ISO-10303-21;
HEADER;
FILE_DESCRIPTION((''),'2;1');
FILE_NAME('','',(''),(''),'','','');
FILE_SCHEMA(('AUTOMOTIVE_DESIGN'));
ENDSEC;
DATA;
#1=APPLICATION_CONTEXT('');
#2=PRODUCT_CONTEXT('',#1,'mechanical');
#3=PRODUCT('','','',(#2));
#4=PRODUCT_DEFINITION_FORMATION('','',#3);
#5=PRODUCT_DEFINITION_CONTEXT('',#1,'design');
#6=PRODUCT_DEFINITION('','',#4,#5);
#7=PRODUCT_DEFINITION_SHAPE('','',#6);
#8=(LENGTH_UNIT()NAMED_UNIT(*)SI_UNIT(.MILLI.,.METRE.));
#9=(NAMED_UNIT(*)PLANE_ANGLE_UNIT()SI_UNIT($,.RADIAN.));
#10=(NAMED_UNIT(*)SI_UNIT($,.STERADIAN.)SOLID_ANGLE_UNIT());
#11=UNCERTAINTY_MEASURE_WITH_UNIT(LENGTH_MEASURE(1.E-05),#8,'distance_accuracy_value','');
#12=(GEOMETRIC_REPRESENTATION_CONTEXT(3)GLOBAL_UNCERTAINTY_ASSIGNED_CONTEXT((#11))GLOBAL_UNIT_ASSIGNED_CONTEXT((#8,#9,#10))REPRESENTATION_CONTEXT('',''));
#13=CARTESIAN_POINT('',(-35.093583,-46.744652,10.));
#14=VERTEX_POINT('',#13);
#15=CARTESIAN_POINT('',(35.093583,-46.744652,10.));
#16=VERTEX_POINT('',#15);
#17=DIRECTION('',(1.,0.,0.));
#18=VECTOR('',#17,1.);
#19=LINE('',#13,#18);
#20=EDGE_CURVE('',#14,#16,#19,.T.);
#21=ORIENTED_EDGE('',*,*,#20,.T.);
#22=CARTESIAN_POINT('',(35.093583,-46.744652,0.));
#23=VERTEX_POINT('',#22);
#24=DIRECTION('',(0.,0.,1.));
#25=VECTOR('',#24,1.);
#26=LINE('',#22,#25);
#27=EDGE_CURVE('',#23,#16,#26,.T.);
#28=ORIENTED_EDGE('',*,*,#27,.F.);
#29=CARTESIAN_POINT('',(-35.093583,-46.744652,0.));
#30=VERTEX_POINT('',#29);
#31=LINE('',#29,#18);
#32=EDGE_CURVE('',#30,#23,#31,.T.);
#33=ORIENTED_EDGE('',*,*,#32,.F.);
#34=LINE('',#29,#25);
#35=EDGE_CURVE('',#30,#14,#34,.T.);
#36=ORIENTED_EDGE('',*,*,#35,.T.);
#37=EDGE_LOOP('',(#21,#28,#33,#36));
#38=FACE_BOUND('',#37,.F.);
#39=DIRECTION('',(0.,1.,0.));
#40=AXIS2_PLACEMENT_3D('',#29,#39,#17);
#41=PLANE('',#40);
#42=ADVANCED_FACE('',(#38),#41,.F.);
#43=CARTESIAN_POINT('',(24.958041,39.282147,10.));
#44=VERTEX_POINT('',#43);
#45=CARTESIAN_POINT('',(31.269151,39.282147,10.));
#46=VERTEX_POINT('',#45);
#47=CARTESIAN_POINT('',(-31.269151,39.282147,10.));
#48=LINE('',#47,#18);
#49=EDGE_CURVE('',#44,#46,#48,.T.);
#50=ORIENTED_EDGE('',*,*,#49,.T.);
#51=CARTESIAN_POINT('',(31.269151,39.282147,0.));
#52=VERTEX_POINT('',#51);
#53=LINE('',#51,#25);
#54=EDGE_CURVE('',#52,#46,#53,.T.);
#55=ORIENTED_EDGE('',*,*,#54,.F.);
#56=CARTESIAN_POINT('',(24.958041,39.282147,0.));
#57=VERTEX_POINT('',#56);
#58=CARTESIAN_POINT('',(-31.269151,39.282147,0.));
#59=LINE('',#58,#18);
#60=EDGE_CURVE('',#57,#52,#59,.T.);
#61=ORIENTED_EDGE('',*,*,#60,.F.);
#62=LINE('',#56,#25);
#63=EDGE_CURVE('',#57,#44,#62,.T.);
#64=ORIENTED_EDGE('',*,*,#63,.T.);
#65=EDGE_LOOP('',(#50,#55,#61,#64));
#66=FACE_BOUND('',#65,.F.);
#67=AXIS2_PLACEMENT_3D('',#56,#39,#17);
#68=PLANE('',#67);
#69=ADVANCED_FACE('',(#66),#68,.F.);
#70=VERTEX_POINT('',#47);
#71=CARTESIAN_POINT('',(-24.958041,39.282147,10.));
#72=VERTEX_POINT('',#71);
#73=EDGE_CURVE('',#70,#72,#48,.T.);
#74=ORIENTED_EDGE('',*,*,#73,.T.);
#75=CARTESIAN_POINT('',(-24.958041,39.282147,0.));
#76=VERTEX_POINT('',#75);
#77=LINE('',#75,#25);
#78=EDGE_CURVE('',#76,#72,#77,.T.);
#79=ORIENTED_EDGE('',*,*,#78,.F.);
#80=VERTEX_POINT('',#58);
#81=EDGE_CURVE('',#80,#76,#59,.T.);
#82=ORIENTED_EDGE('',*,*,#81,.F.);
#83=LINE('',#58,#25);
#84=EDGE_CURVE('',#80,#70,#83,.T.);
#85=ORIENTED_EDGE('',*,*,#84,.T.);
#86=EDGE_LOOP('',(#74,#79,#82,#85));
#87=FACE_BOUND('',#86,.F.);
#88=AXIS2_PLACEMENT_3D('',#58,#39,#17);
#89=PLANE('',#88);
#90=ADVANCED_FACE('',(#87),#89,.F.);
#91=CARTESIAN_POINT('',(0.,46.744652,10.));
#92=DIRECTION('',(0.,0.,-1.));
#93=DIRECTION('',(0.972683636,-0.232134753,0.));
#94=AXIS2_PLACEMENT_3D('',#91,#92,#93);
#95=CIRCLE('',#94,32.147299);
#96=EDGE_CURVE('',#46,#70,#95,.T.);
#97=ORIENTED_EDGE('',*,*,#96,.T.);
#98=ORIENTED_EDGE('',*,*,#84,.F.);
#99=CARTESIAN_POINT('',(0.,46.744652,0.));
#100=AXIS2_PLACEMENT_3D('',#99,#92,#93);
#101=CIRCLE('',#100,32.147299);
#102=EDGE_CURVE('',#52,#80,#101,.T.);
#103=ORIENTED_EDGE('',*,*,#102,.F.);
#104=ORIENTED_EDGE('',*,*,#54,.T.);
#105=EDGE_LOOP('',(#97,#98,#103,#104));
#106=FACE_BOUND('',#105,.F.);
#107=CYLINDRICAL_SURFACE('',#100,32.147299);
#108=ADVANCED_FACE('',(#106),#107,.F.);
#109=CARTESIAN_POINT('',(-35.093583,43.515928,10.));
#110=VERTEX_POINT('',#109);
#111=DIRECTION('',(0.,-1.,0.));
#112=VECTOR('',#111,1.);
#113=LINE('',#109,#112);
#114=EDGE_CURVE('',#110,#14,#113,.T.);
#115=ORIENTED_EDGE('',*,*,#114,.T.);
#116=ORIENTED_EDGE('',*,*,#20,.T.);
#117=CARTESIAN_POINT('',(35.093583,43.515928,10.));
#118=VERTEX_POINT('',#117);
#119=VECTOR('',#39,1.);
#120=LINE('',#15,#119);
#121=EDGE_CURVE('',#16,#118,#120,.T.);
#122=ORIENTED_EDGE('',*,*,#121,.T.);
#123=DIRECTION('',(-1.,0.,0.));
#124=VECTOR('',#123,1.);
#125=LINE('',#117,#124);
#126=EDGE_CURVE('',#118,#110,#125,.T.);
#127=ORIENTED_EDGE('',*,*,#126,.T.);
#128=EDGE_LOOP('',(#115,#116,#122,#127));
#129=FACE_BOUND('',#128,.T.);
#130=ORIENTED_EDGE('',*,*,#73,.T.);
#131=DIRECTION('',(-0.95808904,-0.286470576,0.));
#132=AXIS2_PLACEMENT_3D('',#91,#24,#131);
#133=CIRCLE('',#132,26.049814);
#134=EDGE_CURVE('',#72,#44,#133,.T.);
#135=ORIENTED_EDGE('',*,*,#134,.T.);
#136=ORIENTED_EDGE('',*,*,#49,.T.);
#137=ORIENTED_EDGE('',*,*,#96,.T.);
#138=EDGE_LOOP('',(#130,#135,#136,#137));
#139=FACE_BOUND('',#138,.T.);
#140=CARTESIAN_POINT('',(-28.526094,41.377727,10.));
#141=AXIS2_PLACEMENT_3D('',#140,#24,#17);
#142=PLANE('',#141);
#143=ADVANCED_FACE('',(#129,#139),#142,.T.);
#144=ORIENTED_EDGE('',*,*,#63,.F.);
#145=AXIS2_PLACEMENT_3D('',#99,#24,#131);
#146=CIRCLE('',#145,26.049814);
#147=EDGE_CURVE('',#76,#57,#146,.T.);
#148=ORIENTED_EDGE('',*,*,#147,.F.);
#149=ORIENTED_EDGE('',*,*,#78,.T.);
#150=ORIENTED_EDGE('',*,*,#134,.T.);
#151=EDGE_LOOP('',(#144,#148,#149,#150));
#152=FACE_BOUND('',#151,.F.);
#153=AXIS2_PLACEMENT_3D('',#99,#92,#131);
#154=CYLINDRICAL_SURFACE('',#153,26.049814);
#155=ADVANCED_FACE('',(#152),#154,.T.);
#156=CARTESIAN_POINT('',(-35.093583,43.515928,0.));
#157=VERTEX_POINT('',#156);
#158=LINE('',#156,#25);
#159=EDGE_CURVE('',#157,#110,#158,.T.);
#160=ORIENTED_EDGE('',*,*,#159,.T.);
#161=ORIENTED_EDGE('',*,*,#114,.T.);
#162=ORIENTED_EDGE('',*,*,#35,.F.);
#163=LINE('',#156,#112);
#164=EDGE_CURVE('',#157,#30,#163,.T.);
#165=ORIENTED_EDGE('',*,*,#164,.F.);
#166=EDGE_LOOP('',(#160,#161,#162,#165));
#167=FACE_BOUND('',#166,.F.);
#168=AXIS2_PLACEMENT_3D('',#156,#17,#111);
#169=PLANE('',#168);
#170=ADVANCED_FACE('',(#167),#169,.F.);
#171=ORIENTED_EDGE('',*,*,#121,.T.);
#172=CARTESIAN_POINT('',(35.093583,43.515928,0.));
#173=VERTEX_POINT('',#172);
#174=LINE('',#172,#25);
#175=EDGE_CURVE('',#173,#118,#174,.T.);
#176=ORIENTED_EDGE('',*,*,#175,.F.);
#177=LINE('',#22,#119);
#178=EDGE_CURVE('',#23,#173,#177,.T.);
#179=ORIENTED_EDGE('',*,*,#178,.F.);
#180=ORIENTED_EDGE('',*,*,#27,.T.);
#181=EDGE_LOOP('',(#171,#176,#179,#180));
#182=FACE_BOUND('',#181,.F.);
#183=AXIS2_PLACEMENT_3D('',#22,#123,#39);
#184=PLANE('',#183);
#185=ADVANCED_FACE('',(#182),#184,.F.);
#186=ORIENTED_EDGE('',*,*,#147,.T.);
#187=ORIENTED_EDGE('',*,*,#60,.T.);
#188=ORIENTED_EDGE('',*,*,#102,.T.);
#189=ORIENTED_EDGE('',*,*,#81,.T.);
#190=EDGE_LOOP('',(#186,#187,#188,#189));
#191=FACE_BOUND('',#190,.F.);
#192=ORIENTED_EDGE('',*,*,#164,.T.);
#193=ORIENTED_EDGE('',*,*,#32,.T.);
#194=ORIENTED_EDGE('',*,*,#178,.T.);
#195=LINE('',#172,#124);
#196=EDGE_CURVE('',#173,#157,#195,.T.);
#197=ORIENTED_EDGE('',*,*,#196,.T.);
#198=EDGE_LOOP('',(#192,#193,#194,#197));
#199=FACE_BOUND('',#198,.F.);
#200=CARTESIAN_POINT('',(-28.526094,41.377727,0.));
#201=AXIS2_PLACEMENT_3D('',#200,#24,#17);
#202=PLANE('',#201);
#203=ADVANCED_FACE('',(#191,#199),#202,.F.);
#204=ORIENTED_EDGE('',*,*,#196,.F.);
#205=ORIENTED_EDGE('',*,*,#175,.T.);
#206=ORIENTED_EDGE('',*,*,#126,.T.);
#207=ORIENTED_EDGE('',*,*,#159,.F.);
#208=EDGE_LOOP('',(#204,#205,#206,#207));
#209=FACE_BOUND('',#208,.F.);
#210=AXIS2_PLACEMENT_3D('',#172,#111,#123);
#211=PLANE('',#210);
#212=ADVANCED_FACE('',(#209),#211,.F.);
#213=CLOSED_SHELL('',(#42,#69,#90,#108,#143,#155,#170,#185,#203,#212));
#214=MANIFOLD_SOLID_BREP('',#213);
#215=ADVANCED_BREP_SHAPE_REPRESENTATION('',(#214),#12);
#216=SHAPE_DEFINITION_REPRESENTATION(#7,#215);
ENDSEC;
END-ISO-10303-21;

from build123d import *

# Parameters (mm, degrees)
F1_DEPTH = 10


with BuildPart() as f1:
    # F0 (on Top) → F1 (new body)
    with BuildSketch(Plane.XY):
        with BuildLine():
            ThreePointArc((-24.958041373, 39.2821468413), (-25.4915434809, 41.3805095925), (-25.8489488203, 43.5159280896))
            Line((-25.8489488203, 43.5159280896), (-31.9847488633, 43.5159280896))
            ThreePointArc((-31.9847488633, 43.5159280896), (-31.6977160516, 41.3870765544), (-31.2691514741, 39.2821468413))
            Line((-31.2691514741, 39.2821468413), (-24.958041373, 39.2821468413))
        make_face()
        with BuildLine():
            Line((35.0935831666, 39.2821468413), (31.2691514741, 39.2821468413))
            ThreePointArc((31.2691514741, 39.2821468413), (0, 14.5973533174), (-31.2691514741, 39.2821468413))
            Line((-31.2691514741, 39.2821468413), (-35.0935831666, 39.2821468413))
            Line((-35.0935831666, 39.2821468413), (-35.0935831666, -46.7446520925))
            Line((-35.0935831666, -46.7446520925), (35.0935831666, -46.7446520925))
            Line((35.0935831666, -46.7446520925), (35.0935831666, 39.2821468413))
        make_face()
        with BuildLine():
            ThreePointArc((-31.2691514741, 39.2821468413), (-31.6977160516, 41.3870765544), (-31.9847488633, 43.5159280896))
            Line((-31.9847488633, 43.5159280896), (-35.0935831666, 43.5159280896))
            Line((-35.0935831666, 43.5159280896), (-35.0935831666, 39.2821468413))
            Line((-35.0935831666, 39.2821468413), (-31.2691514741, 39.2821468413))
        make_face()
        with BuildLine():
            ThreePointArc((24.958041373, 39.2821468413), (25.4915434809, 41.3805095925), (25.8489488203, 43.5159280896))
            Line((25.8489488203, 43.5159280896), (-25.8489488203, 43.5159280896))
            ThreePointArc((-25.8489488203, 43.5159280896), (-25.4915434809, 41.3805095925), (-24.958041373, 39.2821468413))
            Line((-24.958041373, 39.2821468413), (24.958041373, 39.2821468413))
        make_face()
        with BuildLine():
            Line((31.9847488633, 43.5159280896), (25.8489488203, 43.5159280896))
            ThreePointArc((25.8489488203, 43.5159280896), (25.4915434809, 41.3805095925), (24.958041373, 39.2821468413))
            Line((24.958041373, 39.2821468413), (31.2691514741, 39.2821468413))
            ThreePointArc((31.2691514741, 39.2821468413), (31.6977160516, 41.3870765544), (31.9847488633, 43.5159280896))
        make_face()
        with BuildLine():
            Line((35.0935831666, 43.5159280896), (31.9847488633, 43.5159280896))
            ThreePointArc((31.9847488633, 43.5159280896), (31.6977160516, 41.3870765544), (31.2691514741, 39.2821468413))
            Line((31.2691514741, 39.2821468413), (35.0935831666, 39.2821468413))
            Line((35.0935831666, 39.2821468413), (35.0935831666, 43.5159280896))
        make_face()
        with BuildLine():
            ThreePointArc((-24.958041373, 39.2821468413), (0, 20.6948380086), (24.958041373, 39.2821468413))
            Line((24.958041373, 39.2821468413), (-24.958041373, 39.2821468413))
        make_face()
    extrude(amount=F1_DEPTH)


solid = f1.part
